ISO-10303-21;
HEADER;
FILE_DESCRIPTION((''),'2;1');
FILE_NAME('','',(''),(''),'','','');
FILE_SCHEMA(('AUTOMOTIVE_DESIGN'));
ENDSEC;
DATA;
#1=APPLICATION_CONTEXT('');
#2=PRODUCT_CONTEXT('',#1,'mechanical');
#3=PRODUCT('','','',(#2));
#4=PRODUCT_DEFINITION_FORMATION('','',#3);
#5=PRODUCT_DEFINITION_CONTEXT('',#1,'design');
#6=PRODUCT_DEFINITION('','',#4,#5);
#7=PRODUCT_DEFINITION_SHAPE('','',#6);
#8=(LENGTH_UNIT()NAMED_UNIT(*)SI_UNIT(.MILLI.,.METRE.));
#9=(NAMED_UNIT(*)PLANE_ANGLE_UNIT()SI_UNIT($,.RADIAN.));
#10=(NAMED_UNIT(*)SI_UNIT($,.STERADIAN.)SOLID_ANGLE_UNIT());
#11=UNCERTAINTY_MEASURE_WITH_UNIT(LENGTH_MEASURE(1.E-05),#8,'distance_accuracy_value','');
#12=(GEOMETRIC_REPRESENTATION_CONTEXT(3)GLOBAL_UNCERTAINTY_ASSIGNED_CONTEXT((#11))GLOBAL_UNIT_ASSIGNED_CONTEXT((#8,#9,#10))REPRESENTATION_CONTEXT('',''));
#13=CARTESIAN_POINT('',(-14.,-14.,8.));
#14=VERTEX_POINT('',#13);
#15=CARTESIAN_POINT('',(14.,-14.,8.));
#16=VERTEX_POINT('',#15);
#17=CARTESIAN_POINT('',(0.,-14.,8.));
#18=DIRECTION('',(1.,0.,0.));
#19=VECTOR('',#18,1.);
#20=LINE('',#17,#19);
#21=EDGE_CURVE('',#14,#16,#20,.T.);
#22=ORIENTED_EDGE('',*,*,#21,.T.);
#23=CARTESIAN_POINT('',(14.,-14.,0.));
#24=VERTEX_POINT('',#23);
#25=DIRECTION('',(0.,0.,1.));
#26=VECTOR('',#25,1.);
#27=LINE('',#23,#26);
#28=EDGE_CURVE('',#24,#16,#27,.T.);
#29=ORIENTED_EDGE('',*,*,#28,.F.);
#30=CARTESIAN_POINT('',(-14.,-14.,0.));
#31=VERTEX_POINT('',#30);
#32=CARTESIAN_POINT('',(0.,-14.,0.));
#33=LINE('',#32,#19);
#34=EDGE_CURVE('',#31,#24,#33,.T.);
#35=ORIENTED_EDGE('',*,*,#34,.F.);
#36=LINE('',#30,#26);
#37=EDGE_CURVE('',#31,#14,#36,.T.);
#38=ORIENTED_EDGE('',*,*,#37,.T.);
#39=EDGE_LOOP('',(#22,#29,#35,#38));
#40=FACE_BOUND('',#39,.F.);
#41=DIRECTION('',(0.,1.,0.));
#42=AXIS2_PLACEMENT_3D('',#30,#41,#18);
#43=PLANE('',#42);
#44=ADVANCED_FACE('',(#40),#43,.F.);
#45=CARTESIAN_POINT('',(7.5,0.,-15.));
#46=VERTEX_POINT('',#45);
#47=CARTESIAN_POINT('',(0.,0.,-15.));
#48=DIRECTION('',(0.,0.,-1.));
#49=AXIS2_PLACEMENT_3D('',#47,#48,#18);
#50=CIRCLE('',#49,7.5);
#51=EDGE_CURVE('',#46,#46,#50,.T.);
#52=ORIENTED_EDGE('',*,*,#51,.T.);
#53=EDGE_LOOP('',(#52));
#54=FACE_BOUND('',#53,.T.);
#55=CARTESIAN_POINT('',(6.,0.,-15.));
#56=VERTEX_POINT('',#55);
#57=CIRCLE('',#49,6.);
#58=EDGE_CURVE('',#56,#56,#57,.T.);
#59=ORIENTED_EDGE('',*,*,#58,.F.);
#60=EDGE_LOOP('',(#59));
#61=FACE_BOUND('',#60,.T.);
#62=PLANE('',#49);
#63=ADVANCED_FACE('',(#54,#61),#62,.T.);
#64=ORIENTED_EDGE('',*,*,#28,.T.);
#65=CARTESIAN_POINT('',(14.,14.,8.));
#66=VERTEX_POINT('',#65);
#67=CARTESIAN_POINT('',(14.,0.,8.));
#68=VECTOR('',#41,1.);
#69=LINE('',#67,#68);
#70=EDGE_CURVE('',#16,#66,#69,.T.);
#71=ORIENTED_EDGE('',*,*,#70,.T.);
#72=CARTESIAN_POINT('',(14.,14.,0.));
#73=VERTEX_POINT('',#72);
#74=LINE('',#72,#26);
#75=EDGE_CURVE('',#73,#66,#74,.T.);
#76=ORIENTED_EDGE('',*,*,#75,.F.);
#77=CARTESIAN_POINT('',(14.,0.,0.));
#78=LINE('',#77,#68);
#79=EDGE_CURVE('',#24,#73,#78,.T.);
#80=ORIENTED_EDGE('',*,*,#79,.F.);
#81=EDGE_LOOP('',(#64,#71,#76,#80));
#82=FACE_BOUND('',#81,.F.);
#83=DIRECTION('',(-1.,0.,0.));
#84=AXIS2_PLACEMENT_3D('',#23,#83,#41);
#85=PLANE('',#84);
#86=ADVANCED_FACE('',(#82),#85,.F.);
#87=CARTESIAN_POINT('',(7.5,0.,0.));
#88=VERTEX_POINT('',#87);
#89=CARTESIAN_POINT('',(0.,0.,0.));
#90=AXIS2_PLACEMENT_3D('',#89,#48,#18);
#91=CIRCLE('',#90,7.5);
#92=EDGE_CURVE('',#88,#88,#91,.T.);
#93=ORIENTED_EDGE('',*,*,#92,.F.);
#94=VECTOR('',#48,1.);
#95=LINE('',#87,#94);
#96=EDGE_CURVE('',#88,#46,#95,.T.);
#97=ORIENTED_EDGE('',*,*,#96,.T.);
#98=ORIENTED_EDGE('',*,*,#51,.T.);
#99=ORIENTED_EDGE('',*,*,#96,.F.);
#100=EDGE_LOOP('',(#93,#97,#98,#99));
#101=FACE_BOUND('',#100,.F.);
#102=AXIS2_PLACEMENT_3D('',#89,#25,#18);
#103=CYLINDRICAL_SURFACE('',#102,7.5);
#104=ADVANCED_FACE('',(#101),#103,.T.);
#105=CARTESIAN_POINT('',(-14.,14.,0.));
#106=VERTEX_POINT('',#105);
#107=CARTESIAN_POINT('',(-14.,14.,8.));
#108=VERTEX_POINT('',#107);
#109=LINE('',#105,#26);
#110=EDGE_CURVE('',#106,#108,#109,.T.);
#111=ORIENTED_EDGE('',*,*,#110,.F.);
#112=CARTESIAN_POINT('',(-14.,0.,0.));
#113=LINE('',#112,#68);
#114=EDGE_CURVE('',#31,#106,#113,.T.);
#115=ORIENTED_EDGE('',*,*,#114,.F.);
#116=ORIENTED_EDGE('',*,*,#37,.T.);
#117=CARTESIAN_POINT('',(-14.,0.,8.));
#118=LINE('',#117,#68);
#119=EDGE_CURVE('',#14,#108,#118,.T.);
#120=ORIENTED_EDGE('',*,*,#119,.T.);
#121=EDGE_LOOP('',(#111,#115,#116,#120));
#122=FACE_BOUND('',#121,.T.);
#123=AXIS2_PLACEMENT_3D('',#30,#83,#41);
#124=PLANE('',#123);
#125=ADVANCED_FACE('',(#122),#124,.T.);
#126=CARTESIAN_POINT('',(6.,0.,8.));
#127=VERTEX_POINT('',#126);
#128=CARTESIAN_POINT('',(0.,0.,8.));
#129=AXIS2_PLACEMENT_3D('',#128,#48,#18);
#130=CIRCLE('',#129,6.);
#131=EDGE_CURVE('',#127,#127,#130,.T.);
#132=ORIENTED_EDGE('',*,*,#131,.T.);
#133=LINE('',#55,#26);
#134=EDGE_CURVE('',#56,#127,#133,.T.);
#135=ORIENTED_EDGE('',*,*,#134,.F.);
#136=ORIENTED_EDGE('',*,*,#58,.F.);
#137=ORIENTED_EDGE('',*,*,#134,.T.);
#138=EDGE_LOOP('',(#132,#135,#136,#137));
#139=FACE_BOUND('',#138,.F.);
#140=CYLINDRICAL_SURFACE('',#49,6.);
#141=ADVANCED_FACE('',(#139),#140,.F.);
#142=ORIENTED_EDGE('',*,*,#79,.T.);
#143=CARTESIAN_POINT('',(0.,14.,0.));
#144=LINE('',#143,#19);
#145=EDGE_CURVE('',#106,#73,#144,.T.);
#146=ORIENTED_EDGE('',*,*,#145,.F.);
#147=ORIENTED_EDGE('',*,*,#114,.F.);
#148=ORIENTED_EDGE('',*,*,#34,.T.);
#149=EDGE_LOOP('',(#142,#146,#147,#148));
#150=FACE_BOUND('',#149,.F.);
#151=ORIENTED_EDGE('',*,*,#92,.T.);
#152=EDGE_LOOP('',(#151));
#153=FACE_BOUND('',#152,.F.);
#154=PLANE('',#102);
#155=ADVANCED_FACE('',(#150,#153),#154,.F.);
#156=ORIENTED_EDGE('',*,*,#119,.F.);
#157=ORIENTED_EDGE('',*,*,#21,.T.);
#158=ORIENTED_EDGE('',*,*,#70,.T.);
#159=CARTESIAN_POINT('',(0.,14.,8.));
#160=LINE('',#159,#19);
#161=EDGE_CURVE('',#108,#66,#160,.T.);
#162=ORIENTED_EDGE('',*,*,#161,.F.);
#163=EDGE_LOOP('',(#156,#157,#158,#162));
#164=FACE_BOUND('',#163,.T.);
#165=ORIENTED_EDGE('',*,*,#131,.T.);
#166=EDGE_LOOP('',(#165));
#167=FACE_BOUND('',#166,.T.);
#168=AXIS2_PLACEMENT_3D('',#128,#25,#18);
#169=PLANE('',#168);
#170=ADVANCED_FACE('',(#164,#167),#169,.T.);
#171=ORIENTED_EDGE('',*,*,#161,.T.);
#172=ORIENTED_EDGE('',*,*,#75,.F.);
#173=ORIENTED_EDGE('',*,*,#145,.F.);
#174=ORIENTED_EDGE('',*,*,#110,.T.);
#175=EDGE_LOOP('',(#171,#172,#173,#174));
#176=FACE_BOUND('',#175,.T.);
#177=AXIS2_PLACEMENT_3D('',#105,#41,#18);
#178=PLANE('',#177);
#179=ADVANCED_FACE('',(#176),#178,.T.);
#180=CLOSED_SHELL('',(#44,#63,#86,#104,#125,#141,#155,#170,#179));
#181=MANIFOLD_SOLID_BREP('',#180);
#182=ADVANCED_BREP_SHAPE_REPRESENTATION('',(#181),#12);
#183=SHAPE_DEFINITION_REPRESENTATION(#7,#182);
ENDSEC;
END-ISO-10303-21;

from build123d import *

# Parameters (mm, degrees)
F0_W     = 28
F0_H     = 28
F1_DEPTH = 8
F2_R     = 7.5
F3_DEPTH = 15
F4_R     = 6
F5_DEPTH = 23.001


with BuildPart() as f1:
    # F0 (on Top) → F1 (new body)
    with BuildSketch(Plane.XY):
        Rectangle(F0_W, F0_H)
    extrude(amount=F1_DEPTH)

    # F2 (on face) → F3 (join)
    with BuildSketch(Plane(origin=(0, 0, 0), x_dir=(1, 0, 0), z_dir=(0, 0, -1))):
        Circle(F2_R)
    extrude(amount=F3_DEPTH)

    # F4 (on face) → F5 (cut, through all)
    with BuildSketch(Plane(origin=(0, 0, -15), x_dir=(1, 0, 0), z_dir=(0, 0, -1))):
        Circle(F4_R)
    extrude(amount=-F5_DEPTH, mode=Mode.SUBTRACT)


solid = f1.part
